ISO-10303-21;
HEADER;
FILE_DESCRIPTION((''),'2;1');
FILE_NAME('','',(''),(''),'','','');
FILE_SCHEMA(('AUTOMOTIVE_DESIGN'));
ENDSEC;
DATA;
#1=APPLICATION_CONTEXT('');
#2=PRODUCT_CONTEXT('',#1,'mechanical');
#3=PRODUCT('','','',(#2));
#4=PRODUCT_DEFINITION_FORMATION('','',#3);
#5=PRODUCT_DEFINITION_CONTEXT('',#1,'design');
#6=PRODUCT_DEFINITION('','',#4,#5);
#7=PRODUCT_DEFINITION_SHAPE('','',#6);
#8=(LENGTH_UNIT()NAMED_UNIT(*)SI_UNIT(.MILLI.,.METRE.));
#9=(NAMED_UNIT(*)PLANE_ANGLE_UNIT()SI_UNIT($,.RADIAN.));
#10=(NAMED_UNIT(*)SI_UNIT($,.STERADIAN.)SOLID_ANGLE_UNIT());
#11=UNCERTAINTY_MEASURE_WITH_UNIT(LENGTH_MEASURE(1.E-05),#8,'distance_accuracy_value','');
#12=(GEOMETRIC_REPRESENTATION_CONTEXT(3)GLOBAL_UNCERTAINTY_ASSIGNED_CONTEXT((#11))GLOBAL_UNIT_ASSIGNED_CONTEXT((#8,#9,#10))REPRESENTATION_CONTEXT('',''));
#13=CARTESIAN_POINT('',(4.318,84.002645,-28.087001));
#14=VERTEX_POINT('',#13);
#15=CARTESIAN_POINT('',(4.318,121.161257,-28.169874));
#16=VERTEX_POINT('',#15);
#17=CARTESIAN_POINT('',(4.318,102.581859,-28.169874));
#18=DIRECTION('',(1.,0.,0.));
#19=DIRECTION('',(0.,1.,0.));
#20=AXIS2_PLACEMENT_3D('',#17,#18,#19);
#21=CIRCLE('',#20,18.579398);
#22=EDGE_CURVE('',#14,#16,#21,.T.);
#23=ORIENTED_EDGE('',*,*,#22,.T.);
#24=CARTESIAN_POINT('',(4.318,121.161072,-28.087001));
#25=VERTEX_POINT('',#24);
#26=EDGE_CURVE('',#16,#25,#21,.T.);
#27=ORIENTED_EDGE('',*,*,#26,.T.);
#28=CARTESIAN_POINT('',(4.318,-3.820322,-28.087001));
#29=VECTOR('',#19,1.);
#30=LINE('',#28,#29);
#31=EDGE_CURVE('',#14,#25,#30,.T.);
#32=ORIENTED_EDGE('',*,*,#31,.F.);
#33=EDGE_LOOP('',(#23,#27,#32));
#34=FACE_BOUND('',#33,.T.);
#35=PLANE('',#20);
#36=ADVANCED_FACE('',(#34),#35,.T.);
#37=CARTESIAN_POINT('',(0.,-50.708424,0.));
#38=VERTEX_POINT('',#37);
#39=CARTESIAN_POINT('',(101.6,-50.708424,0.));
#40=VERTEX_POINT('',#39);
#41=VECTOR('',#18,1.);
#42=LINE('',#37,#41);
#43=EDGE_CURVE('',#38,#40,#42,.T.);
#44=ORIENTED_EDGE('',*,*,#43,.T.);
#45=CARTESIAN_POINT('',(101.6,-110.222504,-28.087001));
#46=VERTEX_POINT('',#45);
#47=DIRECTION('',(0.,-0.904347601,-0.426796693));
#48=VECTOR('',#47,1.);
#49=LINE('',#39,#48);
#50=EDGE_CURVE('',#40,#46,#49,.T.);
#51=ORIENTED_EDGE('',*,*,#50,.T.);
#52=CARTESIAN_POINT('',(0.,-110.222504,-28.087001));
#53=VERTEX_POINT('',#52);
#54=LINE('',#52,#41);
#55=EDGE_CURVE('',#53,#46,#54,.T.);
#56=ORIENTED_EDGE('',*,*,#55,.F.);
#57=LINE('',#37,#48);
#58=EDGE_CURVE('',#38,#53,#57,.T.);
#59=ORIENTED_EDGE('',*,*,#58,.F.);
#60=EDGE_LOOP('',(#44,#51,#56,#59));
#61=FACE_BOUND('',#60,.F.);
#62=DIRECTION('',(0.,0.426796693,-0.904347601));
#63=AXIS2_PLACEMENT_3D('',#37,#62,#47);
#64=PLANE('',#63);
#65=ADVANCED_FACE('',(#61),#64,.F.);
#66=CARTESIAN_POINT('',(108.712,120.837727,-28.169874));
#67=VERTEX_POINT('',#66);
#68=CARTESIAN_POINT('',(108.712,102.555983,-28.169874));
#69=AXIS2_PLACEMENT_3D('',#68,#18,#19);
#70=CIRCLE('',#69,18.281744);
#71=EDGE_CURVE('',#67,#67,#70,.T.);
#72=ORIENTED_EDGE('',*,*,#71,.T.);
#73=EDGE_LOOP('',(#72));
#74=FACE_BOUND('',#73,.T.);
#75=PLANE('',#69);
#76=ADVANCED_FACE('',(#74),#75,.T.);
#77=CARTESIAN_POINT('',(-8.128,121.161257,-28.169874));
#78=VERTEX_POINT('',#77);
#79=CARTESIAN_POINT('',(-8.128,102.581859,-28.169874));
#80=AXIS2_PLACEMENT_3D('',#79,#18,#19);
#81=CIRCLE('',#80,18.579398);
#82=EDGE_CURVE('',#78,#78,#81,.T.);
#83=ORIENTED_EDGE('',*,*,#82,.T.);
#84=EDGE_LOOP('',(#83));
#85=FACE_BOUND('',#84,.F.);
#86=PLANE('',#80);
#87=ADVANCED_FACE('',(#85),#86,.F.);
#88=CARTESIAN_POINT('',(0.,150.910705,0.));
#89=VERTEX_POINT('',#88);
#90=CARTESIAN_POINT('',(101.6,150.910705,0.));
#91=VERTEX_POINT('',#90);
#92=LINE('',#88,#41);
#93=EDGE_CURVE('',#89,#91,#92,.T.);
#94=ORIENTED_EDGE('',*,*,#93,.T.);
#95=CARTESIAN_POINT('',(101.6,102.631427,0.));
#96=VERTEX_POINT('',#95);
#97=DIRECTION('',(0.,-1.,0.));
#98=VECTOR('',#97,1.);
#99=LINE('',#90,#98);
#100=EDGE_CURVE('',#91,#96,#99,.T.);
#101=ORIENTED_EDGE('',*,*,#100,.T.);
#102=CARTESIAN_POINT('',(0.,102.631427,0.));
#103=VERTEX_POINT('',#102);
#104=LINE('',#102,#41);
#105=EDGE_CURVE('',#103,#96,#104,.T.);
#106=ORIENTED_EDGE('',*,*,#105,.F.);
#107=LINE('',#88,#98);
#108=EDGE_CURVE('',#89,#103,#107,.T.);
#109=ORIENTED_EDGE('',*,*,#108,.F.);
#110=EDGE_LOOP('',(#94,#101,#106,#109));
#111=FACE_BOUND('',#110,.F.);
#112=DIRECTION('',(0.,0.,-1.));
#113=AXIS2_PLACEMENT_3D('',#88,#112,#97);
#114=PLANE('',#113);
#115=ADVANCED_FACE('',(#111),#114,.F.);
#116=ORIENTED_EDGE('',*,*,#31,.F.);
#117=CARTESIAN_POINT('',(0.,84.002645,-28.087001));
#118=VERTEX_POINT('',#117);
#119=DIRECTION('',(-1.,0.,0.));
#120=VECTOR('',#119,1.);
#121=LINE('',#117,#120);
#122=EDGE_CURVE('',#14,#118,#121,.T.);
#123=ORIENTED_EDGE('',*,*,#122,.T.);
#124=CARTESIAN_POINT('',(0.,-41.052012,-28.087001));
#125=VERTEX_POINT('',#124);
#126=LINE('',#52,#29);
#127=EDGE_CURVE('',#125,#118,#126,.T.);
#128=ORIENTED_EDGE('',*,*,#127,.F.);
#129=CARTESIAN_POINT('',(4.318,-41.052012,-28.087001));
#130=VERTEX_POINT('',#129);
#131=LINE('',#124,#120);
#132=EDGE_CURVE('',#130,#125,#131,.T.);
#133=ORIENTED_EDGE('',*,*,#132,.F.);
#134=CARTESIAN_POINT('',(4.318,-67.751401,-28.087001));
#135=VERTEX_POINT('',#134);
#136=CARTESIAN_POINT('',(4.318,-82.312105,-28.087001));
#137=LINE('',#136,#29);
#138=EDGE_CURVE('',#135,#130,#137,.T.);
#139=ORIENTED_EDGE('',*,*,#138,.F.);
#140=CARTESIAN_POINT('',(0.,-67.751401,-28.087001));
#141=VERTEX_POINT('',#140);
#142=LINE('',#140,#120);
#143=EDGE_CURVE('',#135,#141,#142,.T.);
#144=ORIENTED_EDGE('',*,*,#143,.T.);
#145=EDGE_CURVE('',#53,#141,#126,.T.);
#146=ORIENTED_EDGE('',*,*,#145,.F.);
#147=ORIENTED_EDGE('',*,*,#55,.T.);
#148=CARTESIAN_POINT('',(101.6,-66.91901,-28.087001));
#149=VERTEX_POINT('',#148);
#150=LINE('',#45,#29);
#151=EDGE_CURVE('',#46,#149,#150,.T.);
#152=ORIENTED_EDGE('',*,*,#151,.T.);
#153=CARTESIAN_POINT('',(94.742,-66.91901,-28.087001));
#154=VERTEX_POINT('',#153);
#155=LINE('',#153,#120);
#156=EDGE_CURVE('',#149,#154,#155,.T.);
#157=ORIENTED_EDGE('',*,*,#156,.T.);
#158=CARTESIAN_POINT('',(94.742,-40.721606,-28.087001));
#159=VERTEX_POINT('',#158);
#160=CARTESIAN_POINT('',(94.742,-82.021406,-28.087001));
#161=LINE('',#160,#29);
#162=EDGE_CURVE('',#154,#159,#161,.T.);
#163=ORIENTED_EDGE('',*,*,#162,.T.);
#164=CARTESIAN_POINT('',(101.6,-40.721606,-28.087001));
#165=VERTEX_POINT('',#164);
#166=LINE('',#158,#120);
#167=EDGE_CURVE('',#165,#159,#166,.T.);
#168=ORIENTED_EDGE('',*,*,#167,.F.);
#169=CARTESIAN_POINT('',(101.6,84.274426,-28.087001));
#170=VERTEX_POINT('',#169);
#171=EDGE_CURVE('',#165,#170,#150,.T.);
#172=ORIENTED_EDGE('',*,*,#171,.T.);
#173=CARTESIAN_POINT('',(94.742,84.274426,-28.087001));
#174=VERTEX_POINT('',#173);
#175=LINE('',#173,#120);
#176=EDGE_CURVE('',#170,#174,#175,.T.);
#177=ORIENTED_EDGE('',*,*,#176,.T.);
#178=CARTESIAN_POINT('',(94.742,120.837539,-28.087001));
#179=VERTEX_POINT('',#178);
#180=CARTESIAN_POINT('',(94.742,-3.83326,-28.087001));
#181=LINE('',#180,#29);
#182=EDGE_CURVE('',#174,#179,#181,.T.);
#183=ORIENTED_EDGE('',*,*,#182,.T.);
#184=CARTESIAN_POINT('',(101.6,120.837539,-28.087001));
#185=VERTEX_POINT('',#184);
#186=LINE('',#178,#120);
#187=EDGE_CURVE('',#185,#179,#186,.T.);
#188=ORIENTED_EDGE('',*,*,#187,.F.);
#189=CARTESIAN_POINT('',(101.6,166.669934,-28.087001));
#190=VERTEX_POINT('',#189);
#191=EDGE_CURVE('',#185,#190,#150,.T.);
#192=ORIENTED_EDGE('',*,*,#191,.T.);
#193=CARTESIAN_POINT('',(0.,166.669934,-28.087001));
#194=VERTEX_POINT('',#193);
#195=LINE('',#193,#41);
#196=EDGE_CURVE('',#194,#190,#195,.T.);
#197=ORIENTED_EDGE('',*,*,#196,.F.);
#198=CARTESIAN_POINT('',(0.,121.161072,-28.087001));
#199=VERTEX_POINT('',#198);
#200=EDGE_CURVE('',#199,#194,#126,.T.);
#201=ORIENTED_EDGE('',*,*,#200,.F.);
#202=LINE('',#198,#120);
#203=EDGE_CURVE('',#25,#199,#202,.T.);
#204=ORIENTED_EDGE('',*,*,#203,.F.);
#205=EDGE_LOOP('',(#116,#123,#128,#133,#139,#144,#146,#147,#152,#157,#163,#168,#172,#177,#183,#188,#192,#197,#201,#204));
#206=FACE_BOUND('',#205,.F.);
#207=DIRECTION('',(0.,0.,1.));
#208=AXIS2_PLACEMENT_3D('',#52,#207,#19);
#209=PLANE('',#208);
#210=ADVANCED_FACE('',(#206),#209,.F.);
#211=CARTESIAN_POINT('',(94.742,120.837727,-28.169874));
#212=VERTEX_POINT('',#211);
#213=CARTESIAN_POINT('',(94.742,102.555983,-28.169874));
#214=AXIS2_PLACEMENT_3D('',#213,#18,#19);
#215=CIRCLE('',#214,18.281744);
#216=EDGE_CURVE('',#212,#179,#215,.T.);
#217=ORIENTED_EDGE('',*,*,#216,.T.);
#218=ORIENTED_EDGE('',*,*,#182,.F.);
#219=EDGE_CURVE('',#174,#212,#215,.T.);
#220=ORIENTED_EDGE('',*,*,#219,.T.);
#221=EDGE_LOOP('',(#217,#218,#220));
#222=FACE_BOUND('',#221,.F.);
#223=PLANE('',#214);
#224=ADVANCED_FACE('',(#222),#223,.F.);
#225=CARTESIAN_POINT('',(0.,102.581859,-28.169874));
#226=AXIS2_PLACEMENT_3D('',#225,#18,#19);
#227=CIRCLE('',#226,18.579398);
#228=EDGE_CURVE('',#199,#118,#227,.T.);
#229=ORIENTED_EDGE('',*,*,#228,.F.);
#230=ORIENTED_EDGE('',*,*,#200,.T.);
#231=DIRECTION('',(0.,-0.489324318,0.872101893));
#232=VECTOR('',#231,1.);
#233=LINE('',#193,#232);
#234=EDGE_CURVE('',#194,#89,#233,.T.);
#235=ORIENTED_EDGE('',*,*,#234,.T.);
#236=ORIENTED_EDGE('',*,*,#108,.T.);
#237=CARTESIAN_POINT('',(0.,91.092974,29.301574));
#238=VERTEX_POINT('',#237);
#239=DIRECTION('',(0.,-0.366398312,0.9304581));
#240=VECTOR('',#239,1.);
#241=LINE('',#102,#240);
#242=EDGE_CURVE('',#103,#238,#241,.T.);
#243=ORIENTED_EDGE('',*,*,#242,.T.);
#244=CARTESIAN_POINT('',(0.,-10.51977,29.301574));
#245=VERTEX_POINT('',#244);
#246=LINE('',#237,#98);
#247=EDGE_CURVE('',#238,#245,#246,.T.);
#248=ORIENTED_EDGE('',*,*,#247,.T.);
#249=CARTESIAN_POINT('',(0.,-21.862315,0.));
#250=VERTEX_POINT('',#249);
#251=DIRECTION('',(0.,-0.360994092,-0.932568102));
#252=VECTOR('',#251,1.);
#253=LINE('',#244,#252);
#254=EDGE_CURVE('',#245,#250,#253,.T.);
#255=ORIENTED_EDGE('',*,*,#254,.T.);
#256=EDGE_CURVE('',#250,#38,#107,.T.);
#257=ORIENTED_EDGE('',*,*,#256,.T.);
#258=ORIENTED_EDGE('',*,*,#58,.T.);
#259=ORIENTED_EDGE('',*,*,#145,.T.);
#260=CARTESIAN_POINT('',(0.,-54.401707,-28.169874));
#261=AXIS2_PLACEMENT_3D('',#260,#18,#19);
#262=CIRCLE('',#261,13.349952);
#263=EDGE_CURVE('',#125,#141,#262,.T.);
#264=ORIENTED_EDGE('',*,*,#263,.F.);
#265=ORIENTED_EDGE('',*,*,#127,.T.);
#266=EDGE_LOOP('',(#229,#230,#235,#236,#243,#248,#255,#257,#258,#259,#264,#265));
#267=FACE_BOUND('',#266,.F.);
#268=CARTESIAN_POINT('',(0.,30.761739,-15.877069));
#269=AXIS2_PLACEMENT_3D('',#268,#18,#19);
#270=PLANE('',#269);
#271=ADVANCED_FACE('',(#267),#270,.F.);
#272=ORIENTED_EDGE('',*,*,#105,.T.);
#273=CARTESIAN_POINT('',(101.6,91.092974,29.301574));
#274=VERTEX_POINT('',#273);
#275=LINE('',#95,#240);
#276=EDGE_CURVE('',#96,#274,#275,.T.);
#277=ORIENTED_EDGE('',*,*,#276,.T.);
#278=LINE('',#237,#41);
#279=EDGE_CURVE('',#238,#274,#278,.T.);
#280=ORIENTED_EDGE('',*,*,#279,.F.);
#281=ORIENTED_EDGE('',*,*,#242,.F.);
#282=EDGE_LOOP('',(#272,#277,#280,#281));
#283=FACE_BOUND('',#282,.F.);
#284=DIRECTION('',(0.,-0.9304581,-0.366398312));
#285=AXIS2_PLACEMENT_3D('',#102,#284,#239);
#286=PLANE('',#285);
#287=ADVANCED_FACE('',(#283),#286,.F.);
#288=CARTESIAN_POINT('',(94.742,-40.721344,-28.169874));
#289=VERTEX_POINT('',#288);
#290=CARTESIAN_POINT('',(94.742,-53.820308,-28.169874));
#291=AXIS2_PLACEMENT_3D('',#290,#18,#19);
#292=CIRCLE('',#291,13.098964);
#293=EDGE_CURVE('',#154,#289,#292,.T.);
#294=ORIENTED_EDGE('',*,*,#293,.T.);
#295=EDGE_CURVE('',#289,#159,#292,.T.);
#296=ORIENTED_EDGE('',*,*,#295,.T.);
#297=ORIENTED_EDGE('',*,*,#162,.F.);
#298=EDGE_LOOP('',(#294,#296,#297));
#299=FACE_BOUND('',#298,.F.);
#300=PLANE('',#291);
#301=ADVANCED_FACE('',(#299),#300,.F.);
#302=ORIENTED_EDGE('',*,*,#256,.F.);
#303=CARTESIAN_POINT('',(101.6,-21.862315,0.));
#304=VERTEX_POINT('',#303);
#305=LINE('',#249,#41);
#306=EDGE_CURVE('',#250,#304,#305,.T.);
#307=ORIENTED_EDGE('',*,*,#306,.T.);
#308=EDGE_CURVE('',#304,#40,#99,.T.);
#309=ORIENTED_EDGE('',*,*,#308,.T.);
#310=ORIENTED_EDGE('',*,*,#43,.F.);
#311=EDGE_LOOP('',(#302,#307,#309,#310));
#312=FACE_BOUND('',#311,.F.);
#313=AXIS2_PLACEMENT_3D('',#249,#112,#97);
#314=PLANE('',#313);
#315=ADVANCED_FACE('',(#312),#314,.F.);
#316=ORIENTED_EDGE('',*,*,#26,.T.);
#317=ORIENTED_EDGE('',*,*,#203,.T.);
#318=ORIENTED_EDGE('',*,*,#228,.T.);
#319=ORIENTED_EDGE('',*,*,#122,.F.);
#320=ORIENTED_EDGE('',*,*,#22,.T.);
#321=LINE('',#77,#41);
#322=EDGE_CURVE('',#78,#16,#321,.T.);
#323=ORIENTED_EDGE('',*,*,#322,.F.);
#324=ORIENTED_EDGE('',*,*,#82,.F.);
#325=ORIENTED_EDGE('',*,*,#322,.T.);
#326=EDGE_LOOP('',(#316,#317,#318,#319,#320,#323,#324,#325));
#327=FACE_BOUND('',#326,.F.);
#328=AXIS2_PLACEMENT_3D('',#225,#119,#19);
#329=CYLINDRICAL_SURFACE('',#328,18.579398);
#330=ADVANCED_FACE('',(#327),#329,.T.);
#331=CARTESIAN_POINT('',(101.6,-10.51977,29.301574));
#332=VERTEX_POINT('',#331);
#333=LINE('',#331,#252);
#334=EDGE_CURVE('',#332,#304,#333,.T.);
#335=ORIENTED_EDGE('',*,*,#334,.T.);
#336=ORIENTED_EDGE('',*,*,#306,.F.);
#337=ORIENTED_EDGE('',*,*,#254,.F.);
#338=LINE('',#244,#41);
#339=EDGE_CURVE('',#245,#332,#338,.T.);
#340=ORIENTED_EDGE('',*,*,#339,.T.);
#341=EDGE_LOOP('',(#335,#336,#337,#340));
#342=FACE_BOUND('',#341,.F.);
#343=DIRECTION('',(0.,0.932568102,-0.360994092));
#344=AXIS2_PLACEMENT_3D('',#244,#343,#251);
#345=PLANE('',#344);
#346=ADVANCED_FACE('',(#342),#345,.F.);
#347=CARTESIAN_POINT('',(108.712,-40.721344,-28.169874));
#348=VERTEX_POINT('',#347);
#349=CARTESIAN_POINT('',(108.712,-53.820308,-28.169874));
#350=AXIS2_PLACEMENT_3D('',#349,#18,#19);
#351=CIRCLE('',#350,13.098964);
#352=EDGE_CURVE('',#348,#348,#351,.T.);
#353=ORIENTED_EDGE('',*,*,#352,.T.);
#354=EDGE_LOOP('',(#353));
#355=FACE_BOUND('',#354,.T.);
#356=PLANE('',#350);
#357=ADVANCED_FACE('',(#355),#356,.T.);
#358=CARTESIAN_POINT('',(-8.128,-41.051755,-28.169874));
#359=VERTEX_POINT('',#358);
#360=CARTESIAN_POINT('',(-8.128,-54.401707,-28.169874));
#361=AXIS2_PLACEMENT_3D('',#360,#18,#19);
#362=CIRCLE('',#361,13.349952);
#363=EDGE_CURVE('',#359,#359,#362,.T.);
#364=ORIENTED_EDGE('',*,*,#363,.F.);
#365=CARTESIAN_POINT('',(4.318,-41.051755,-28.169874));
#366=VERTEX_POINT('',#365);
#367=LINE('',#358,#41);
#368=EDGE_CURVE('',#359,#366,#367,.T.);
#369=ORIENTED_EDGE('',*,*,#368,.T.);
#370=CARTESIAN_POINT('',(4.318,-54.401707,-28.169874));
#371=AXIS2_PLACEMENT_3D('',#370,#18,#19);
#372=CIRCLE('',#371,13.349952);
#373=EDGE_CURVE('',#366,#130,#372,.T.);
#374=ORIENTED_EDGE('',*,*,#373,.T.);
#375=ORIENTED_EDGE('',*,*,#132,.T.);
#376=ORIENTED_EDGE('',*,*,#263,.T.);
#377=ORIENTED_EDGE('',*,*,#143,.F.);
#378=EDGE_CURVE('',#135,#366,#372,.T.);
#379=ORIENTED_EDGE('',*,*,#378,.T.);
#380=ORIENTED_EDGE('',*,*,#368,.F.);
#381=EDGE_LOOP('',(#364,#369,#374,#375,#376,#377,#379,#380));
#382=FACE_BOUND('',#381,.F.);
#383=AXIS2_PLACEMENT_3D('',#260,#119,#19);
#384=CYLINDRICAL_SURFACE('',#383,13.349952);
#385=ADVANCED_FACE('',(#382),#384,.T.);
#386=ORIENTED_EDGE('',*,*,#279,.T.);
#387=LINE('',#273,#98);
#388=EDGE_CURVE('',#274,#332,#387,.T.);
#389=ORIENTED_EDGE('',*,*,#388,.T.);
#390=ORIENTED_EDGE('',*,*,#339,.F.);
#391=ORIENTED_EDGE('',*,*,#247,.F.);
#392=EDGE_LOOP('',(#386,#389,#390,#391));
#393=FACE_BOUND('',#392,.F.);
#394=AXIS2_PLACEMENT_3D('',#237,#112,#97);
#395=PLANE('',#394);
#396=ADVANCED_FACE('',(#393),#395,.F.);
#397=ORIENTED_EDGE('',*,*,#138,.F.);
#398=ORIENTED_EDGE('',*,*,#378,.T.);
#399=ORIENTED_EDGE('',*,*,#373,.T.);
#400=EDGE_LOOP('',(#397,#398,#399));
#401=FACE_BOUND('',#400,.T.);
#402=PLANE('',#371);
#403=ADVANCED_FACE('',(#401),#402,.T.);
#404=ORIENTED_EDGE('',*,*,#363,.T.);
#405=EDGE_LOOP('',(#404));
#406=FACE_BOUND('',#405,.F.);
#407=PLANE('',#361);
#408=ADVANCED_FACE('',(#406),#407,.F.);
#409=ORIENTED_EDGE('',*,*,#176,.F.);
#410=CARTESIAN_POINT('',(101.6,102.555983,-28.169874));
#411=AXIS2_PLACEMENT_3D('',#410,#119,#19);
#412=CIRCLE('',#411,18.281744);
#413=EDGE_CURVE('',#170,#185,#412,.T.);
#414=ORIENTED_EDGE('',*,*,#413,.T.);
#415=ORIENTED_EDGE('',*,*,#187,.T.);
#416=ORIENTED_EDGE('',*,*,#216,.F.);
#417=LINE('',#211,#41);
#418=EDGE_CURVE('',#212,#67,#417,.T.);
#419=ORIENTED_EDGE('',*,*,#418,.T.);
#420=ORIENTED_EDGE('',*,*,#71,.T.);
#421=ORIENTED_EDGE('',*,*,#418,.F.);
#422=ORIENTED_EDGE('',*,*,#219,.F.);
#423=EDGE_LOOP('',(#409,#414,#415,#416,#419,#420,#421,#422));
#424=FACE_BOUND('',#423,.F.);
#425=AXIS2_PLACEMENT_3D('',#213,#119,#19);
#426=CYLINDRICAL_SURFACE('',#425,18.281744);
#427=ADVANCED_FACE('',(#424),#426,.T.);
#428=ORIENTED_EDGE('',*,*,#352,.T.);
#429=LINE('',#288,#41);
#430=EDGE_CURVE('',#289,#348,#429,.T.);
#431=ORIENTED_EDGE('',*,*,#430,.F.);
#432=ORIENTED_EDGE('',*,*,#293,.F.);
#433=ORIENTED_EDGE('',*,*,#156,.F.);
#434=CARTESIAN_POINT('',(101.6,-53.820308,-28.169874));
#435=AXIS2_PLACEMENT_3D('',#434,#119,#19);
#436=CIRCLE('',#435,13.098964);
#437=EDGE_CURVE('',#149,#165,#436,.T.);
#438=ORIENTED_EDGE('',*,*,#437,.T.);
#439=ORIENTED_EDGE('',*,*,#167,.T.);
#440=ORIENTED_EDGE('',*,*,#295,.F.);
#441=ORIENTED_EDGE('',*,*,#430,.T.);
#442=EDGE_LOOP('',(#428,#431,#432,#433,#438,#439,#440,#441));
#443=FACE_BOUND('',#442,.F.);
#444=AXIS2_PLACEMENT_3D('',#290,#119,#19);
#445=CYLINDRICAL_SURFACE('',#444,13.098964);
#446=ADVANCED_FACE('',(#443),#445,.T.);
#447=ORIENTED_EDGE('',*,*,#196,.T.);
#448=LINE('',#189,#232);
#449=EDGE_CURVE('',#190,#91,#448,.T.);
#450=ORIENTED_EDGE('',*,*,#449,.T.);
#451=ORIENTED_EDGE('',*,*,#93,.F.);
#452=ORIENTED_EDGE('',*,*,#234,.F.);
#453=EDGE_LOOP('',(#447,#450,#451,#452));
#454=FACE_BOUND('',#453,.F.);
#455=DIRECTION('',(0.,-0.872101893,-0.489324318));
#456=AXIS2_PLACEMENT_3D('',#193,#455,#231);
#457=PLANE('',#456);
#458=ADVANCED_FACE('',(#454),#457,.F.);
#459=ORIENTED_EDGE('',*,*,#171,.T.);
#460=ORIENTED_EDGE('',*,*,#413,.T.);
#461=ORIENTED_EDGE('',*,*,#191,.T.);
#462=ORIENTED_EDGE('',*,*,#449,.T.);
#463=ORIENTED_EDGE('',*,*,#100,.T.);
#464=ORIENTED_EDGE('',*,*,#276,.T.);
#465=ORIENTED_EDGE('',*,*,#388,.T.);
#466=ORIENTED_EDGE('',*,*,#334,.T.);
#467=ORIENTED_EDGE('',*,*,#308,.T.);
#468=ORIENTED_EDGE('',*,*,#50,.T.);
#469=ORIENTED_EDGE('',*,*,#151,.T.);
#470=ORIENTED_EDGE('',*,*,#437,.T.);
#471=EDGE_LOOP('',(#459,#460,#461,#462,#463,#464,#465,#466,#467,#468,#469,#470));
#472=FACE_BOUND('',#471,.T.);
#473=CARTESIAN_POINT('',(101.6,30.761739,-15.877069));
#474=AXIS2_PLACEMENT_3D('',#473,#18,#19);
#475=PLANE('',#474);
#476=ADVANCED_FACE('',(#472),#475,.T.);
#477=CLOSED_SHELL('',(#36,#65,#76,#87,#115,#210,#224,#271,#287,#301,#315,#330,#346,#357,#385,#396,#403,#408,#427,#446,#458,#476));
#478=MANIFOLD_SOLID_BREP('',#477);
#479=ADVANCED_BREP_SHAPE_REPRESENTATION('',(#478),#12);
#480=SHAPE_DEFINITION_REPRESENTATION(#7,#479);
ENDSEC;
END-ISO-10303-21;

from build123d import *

# Parameters (mm, degrees)
F1_DEPTH      = 101.6
F2_R          = 13.3499518003
F2_R_2        = 18.5793981889
F3_DEPTH      = 8.128
F3_DEPTH_BACK = 4.318
F5_START      = 94.742
F4_R          = 13.0989640124
F4_R_2        = 18.281744148
F5_DEPTH      = 13.97


with BuildPart() as f1:
    # F0 (on Right) → F1 (new body)
    with BuildSketch(Plane.YZ):
        Polygon((-21.862315014, 0), (-50.7084243, 0), (-110.2225035429, -28.0870012939), (166.6699335306, -28.0870012939), (150.910705328, 0), (102.6314273477, 0), align=None)
        Polygon((-10.5197704383, 29.3015744537), (-21.862315014, 0), (102.6314273477, 0), (91.0929739475, 29.3015744537), align=None)
    extrude(amount=F1_DEPTH)

    # F2 (on Right) → F3 (join, two sides)
    with BuildSketch(Plane.YZ) as f3_sk:
        with Locations((-54.4017069042, -28.1698741019)):
            Circle(F2_R)
        with Locations((102.5818586349, -28.1698741019)):
            Circle(F2_R_2)
    extrude(amount=-F3_DEPTH)
    extrude(f3_sk.sketch, amount=F3_DEPTH_BACK)

    # F4 (on Right) → F5 (join)
    with BuildSketch(Plane.YZ.offset(F5_START)):
        with Locations((-53.8203082979, -28.1698741019)):
            Circle(F4_R)
        with Locations((102.5559827685, -28.1698741019)):
            Circle(F4_R_2)
    extrude(amount=F5_DEPTH)


solid = f1.part
